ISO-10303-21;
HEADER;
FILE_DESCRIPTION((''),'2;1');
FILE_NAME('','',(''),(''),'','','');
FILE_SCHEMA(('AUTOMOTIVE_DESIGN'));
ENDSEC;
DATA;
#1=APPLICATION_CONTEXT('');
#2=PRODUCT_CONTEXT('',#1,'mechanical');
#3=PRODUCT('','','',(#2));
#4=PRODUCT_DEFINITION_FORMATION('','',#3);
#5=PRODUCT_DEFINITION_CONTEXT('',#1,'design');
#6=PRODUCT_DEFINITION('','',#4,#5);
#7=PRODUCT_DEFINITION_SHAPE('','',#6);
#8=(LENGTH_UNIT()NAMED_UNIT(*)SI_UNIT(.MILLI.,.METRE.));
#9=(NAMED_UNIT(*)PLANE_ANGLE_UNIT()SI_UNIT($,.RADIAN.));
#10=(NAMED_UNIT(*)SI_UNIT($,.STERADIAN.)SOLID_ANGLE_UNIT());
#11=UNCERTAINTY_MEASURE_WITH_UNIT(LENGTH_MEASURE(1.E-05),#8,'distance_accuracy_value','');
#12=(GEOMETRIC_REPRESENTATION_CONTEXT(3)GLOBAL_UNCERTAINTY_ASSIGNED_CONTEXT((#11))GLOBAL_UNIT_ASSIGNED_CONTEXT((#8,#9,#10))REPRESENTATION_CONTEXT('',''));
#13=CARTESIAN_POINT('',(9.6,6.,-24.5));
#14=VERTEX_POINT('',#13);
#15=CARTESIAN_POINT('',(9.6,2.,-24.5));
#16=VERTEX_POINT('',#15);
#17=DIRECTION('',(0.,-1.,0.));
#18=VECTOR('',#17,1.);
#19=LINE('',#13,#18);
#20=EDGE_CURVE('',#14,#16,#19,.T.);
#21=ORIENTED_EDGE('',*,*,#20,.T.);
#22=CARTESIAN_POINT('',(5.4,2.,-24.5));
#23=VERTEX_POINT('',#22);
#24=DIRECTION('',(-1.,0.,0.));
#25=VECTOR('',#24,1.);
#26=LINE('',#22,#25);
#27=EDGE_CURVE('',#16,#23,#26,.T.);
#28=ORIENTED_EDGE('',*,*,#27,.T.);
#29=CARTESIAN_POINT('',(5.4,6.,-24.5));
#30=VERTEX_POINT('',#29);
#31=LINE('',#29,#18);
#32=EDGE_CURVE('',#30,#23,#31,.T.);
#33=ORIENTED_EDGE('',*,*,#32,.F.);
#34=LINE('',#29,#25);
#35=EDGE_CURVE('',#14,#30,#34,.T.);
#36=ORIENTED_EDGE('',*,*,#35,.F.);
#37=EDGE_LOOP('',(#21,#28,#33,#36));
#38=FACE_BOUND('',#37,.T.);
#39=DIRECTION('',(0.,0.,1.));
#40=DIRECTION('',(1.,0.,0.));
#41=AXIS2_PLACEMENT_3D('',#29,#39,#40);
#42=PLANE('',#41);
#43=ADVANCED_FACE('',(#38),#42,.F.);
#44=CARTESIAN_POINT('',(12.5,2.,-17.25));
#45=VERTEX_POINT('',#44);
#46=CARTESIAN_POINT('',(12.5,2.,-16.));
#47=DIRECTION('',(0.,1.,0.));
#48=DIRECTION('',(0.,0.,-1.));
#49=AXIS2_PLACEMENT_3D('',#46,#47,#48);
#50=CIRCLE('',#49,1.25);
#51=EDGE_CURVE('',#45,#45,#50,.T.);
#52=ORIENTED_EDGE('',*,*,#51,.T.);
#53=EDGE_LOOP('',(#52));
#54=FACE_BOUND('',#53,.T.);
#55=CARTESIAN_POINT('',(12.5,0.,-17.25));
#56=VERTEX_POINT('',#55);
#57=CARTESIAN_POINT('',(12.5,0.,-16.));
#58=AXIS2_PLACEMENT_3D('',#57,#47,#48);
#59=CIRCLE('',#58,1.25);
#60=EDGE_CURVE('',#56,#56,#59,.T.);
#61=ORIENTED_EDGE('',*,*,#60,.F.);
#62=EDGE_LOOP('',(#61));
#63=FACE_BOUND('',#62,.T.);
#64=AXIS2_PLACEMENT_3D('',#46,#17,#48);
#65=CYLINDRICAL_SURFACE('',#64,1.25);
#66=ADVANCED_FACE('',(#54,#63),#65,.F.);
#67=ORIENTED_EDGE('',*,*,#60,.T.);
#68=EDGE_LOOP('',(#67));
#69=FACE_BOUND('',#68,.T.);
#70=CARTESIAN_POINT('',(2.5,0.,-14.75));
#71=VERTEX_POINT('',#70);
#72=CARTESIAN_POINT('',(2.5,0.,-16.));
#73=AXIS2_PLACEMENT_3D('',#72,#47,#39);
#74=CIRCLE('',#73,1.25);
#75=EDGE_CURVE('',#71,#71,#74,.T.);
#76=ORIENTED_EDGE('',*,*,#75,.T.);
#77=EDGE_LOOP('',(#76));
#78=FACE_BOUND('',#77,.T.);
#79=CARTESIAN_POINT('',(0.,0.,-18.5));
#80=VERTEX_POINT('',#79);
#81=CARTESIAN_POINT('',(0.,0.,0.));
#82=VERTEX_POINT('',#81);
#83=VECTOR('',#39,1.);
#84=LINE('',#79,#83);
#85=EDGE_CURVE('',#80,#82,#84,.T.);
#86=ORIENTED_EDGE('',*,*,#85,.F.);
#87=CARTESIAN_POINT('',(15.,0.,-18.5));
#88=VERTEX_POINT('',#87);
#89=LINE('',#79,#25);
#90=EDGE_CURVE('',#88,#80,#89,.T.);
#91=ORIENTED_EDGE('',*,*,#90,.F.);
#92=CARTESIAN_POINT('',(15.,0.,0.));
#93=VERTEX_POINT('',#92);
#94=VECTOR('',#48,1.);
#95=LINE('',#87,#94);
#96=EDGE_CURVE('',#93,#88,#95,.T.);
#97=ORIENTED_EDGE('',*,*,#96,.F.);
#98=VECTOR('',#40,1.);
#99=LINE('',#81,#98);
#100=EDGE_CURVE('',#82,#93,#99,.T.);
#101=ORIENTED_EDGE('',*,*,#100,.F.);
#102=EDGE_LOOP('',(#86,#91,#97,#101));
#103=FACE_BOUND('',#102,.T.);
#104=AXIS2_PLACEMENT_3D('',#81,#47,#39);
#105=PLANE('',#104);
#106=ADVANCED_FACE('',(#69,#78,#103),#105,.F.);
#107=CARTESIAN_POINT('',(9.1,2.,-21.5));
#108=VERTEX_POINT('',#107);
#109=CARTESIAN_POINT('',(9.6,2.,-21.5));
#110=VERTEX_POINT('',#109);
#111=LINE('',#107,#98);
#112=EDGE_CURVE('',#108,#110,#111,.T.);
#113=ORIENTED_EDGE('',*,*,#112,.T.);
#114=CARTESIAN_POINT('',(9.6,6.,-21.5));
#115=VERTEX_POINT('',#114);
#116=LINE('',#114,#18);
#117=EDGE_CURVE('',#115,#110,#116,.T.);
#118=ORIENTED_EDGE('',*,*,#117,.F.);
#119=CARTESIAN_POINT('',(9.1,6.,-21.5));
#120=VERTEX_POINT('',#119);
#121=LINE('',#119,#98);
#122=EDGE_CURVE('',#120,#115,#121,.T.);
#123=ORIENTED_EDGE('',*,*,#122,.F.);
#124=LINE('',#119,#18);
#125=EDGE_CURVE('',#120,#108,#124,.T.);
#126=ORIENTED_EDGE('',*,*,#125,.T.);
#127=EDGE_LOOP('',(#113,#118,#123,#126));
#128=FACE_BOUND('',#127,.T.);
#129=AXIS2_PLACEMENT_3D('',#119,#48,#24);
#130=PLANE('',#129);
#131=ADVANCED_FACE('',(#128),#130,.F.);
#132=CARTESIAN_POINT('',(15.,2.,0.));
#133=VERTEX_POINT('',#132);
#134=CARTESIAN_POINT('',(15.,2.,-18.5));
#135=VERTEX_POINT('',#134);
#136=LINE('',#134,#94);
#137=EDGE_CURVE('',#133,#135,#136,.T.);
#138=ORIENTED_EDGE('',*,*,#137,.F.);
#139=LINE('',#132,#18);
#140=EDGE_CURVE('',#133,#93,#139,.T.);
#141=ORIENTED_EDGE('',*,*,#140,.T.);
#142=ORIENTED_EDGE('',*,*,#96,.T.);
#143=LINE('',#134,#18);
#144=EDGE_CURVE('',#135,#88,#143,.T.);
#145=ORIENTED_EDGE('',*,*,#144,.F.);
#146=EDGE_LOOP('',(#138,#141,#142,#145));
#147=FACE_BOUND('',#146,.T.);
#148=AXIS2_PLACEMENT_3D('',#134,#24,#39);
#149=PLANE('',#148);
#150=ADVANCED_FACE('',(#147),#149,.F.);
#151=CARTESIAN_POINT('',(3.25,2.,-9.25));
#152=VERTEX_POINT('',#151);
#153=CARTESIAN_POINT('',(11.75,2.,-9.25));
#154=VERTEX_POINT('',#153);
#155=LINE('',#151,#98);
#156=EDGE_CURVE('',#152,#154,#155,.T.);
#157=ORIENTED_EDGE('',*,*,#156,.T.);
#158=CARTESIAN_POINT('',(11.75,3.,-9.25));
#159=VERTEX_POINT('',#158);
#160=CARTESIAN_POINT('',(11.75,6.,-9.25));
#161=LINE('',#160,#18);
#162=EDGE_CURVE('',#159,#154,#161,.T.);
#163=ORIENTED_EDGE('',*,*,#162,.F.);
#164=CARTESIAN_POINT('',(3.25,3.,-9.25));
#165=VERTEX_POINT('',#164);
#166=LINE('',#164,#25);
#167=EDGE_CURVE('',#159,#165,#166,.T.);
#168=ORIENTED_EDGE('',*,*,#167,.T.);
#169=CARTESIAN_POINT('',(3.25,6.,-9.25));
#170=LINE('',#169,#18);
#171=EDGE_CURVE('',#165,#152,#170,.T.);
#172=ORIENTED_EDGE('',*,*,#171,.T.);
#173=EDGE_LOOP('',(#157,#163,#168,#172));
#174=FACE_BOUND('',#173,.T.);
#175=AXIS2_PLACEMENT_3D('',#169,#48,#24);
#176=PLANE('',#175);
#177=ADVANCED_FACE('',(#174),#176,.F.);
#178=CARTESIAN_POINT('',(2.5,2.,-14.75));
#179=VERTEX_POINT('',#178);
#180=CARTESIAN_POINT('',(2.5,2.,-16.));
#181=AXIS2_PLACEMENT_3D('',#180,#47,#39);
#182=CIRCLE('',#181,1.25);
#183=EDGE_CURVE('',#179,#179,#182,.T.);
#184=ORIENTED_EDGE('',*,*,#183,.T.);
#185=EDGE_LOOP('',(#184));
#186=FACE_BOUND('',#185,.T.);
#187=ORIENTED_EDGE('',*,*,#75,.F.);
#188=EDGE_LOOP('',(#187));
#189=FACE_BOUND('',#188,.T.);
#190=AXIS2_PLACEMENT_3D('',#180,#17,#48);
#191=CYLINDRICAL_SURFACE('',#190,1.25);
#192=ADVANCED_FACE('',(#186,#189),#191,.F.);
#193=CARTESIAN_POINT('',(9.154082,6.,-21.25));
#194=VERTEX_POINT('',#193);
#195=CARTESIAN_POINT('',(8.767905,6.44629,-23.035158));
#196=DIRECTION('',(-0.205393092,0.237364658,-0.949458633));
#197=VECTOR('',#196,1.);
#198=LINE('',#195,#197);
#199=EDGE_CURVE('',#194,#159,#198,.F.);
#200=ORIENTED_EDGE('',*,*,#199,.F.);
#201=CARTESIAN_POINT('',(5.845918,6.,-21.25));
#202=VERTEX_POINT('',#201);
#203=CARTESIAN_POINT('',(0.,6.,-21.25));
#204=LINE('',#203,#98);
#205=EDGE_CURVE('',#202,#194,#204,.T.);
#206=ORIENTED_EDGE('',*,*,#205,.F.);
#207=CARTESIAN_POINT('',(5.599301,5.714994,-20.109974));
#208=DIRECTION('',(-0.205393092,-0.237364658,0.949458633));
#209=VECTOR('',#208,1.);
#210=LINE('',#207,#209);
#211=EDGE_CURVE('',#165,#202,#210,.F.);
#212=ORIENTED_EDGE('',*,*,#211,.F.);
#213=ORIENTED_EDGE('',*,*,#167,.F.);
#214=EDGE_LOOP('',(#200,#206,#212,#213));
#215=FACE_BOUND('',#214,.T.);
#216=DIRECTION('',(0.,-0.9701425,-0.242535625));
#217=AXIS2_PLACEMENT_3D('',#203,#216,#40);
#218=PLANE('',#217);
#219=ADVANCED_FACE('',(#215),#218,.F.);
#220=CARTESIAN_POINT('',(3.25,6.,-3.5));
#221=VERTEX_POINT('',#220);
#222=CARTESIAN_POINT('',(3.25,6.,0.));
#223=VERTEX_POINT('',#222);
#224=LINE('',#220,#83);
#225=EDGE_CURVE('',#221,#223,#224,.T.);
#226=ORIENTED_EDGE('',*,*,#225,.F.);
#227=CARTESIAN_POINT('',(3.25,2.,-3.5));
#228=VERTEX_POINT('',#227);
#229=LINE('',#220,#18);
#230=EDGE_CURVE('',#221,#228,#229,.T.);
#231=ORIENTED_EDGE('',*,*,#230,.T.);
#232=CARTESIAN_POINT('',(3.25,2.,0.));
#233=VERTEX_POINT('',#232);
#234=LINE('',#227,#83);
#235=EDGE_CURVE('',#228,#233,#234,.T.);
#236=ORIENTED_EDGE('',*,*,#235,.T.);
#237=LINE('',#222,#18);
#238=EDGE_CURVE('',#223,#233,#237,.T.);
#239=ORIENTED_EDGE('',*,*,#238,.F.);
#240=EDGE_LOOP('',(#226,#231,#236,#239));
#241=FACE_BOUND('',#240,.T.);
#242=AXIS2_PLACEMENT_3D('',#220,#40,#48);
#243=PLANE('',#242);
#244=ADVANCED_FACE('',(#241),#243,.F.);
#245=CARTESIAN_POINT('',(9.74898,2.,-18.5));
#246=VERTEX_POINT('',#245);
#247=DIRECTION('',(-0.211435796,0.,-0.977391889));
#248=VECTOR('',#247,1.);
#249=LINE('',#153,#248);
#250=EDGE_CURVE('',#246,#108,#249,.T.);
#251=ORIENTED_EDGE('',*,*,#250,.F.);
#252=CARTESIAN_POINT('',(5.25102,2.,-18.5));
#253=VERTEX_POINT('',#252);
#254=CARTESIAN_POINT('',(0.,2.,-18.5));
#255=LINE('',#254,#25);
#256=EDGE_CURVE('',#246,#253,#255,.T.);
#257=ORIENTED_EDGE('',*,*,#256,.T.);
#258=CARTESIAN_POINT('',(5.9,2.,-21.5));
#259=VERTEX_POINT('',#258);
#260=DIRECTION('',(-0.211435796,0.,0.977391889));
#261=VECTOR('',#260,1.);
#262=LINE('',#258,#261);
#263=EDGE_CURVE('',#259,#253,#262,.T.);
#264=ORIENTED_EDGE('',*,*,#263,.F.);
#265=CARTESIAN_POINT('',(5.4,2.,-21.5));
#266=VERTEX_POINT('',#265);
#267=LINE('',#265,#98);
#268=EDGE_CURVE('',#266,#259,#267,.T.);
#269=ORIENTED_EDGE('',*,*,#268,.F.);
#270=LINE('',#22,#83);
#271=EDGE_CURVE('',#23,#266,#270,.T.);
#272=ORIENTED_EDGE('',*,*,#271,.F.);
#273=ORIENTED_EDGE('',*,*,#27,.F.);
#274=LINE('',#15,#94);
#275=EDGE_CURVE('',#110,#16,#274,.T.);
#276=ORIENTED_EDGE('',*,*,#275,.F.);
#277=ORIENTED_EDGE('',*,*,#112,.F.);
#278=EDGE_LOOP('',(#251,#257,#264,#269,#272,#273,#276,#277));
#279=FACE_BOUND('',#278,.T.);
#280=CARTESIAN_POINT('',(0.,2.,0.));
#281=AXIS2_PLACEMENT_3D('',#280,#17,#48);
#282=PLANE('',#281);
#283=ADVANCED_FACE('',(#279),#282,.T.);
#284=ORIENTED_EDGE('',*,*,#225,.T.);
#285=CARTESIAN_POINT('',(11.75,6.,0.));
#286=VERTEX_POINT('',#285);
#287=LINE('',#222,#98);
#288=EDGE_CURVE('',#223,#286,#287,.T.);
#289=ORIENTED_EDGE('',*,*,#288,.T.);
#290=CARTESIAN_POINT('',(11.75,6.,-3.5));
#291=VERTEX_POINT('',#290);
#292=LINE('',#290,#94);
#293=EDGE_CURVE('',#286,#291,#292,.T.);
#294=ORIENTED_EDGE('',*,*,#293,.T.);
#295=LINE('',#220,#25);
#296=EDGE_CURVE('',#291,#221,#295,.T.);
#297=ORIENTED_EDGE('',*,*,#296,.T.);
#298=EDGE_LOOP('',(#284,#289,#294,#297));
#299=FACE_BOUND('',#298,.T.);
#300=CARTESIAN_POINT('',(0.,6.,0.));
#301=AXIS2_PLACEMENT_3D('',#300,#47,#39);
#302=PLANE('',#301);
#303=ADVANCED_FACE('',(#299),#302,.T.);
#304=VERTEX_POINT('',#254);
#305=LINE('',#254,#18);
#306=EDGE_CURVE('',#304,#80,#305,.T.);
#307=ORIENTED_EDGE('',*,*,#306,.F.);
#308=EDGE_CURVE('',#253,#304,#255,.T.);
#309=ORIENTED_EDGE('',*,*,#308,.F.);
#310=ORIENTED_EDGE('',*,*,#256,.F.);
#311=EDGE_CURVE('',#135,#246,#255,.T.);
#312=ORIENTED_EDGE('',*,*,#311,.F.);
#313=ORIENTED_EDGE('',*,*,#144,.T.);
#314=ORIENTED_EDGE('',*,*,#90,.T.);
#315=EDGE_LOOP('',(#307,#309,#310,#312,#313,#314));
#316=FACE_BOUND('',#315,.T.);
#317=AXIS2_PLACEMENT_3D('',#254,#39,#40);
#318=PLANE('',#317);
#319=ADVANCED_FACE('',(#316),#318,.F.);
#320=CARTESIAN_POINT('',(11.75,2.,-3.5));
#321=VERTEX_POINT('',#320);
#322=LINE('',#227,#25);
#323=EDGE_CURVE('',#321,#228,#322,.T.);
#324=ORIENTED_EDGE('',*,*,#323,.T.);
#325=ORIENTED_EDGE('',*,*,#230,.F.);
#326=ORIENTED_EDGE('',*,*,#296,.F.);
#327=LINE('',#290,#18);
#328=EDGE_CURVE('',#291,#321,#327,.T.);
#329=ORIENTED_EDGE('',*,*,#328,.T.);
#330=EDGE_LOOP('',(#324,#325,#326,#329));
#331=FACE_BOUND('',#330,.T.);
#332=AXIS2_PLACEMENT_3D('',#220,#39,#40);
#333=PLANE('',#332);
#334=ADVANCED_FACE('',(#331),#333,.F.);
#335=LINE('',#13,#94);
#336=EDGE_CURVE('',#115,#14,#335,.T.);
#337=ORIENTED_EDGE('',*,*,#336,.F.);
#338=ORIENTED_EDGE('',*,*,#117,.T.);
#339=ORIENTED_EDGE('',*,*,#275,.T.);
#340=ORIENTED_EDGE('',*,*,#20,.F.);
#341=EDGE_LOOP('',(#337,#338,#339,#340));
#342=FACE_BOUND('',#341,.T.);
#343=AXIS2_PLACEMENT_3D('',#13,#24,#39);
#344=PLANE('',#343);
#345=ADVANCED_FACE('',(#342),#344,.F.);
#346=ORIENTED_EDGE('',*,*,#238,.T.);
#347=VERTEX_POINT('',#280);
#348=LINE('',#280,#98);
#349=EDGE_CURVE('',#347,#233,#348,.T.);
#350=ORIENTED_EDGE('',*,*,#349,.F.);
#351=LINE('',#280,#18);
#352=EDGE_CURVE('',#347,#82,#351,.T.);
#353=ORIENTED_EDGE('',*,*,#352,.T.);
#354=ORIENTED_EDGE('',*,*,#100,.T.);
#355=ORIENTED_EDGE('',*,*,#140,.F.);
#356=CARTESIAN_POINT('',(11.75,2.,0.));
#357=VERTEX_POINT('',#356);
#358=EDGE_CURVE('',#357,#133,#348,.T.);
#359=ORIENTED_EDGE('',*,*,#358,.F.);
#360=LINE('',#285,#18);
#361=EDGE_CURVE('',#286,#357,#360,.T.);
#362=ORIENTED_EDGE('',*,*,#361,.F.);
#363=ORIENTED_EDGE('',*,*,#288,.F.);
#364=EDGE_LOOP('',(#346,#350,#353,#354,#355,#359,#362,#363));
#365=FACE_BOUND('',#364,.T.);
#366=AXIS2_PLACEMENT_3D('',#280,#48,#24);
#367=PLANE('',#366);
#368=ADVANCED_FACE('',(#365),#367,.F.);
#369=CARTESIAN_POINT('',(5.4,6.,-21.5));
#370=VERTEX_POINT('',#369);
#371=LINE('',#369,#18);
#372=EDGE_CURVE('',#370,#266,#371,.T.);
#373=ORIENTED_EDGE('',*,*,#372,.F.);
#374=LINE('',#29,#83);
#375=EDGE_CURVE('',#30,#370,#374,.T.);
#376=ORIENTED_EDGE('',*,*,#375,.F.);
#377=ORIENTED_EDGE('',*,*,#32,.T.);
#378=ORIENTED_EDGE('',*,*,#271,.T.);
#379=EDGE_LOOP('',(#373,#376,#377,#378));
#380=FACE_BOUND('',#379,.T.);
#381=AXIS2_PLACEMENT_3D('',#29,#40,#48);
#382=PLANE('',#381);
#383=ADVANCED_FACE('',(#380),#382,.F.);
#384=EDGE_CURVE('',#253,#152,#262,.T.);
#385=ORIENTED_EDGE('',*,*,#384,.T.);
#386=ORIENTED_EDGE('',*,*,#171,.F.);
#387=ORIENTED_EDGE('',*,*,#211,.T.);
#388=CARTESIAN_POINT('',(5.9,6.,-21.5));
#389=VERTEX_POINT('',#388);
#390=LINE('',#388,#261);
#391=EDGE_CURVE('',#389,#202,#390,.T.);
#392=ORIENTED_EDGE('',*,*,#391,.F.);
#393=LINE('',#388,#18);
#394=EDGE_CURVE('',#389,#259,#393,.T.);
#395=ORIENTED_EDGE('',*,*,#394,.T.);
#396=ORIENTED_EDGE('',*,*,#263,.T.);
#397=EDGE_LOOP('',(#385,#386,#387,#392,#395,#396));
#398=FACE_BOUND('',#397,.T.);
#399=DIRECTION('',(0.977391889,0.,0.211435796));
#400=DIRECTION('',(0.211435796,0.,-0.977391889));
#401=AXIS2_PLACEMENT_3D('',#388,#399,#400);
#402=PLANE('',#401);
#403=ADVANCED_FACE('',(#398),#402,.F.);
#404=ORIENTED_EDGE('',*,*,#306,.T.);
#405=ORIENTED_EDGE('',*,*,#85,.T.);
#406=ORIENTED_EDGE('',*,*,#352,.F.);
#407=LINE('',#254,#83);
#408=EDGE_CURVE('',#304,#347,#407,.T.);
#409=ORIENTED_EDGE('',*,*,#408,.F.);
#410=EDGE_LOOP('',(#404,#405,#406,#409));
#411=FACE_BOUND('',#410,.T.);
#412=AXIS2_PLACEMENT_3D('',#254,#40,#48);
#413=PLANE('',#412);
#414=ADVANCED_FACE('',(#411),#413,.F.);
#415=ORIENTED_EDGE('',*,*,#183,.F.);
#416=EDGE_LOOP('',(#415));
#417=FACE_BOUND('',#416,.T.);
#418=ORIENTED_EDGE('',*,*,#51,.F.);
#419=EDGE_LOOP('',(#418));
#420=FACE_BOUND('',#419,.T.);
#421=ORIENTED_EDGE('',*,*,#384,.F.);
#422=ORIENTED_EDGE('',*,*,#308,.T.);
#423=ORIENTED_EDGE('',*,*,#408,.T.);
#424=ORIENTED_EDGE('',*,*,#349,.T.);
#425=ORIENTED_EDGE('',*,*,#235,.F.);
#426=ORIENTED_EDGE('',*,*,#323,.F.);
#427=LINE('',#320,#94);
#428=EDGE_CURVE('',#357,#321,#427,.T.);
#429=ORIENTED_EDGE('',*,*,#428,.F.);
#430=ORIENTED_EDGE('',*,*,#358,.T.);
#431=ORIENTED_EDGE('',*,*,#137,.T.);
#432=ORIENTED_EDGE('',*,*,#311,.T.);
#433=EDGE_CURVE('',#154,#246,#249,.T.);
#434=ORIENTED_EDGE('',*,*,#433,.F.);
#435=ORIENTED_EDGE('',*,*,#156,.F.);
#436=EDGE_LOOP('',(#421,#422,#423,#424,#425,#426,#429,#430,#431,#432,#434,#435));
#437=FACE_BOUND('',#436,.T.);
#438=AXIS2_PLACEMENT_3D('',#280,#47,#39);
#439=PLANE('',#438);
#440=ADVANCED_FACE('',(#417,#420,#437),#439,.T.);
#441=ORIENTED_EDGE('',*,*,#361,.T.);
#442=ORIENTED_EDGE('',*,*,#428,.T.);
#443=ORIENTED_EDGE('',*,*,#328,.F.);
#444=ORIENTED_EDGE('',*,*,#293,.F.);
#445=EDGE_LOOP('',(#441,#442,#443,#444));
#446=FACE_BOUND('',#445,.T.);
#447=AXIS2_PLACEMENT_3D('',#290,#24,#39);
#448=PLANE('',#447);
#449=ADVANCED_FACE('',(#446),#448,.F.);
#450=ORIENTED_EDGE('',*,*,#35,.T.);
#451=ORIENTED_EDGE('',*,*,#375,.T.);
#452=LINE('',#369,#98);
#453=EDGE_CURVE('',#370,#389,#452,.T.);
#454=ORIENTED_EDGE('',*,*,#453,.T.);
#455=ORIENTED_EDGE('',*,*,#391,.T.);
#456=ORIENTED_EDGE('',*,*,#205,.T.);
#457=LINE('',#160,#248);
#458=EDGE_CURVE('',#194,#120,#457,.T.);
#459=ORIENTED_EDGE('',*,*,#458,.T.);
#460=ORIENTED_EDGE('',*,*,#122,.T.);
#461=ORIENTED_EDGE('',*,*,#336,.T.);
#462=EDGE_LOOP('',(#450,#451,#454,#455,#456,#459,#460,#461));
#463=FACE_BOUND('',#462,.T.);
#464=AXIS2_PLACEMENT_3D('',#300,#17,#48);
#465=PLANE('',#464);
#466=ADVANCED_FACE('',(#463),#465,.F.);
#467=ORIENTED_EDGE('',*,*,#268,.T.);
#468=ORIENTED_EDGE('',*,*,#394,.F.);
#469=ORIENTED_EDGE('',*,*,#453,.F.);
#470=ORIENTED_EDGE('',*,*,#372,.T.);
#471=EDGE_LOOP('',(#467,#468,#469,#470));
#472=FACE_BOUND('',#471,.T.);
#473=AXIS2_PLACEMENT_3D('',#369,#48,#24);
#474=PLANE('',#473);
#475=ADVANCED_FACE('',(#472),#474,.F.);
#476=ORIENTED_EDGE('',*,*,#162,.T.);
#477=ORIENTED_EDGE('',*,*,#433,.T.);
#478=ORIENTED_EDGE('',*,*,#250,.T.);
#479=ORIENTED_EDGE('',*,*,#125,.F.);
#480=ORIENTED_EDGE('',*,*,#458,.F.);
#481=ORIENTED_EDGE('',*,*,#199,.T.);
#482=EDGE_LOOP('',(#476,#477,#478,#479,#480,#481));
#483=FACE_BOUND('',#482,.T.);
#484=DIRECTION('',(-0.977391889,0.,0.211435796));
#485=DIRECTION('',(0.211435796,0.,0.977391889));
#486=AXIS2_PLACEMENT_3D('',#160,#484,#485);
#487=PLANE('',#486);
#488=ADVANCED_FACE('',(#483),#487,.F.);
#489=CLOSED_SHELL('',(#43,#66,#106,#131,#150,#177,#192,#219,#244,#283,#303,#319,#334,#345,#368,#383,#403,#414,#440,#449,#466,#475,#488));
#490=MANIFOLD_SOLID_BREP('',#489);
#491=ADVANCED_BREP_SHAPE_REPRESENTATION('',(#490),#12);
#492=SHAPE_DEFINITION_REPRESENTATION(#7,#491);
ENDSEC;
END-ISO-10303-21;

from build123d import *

# Parameters (mm, degrees)
SKETCH1_W           = 15
SKETCH1_H           = 18.5
SKETCH1_R           = 1.25
BOSS_EXTRUDE1_DEPTH = 2
SKETCH2_W           = 8.5
SKETCH2_H           = 3.5
BOSS_EXTRUDE2_DEPTH = 4
CHAMFER1_SIZE       = 3
CHAMFER1_SIZE2      = 12


with BuildPart() as part:
    # Sketch1 → Boss-Extrude1 (new body)
    with BuildSketch(Plane(origin=(0, 0, 0), x_dir=(1, 0, 0), z_dir=(0, 1, 0))):
        with Locations((7.5, 9.25)):
            Rectangle(SKETCH1_W, SKETCH1_H)
        with Locations(Location((2.5, 16, 0), (0, 0, 270))):
            Circle(SKETCH1_R, mode=Mode.SUBTRACT)
        with Locations(Location((12.5, 16, 0), (0, 0, 90))):
            Circle(SKETCH1_R, mode=Mode.SUBTRACT)
    extrude(amount=BOSS_EXTRUDE1_DEPTH)

    # Sketch2 → Boss-Extrude2 (add)
    with BuildSketch(Plane(origin=(0, 2, 0), x_dir=(1, 0, 0), z_dir=(0, 1, 0))):
        with Locations((7.5, 1.75)):
            Rectangle(SKETCH2_W, SKETCH2_H)
        Polygon((3.25, 9.25), (11.75, 9.25), (9.1, 21.5), (9.6, 21.5), (9.6, 24.5), (5.4, 24.5), (5.4, 21.5), (5.9, 21.5), align=None)
    extrude(amount=BOSS_EXTRUDE2_DEPTH)

    # Chamfer1
    chamfer1_edges = [part.edges().sort_by_distance(p)[0] for p in [
        (7.5, 6, -9.25),
    ]]
    chamfer1_side = [part.faces().sort_by_distance(p)[0] for p in [
        (7.5, 4, -9.25),
    ]]
    chamfer(chamfer1_edges, length=CHAMFER1_SIZE, length2=CHAMFER1_SIZE2, reference=chamfer1_side[0])


solid = part.part
